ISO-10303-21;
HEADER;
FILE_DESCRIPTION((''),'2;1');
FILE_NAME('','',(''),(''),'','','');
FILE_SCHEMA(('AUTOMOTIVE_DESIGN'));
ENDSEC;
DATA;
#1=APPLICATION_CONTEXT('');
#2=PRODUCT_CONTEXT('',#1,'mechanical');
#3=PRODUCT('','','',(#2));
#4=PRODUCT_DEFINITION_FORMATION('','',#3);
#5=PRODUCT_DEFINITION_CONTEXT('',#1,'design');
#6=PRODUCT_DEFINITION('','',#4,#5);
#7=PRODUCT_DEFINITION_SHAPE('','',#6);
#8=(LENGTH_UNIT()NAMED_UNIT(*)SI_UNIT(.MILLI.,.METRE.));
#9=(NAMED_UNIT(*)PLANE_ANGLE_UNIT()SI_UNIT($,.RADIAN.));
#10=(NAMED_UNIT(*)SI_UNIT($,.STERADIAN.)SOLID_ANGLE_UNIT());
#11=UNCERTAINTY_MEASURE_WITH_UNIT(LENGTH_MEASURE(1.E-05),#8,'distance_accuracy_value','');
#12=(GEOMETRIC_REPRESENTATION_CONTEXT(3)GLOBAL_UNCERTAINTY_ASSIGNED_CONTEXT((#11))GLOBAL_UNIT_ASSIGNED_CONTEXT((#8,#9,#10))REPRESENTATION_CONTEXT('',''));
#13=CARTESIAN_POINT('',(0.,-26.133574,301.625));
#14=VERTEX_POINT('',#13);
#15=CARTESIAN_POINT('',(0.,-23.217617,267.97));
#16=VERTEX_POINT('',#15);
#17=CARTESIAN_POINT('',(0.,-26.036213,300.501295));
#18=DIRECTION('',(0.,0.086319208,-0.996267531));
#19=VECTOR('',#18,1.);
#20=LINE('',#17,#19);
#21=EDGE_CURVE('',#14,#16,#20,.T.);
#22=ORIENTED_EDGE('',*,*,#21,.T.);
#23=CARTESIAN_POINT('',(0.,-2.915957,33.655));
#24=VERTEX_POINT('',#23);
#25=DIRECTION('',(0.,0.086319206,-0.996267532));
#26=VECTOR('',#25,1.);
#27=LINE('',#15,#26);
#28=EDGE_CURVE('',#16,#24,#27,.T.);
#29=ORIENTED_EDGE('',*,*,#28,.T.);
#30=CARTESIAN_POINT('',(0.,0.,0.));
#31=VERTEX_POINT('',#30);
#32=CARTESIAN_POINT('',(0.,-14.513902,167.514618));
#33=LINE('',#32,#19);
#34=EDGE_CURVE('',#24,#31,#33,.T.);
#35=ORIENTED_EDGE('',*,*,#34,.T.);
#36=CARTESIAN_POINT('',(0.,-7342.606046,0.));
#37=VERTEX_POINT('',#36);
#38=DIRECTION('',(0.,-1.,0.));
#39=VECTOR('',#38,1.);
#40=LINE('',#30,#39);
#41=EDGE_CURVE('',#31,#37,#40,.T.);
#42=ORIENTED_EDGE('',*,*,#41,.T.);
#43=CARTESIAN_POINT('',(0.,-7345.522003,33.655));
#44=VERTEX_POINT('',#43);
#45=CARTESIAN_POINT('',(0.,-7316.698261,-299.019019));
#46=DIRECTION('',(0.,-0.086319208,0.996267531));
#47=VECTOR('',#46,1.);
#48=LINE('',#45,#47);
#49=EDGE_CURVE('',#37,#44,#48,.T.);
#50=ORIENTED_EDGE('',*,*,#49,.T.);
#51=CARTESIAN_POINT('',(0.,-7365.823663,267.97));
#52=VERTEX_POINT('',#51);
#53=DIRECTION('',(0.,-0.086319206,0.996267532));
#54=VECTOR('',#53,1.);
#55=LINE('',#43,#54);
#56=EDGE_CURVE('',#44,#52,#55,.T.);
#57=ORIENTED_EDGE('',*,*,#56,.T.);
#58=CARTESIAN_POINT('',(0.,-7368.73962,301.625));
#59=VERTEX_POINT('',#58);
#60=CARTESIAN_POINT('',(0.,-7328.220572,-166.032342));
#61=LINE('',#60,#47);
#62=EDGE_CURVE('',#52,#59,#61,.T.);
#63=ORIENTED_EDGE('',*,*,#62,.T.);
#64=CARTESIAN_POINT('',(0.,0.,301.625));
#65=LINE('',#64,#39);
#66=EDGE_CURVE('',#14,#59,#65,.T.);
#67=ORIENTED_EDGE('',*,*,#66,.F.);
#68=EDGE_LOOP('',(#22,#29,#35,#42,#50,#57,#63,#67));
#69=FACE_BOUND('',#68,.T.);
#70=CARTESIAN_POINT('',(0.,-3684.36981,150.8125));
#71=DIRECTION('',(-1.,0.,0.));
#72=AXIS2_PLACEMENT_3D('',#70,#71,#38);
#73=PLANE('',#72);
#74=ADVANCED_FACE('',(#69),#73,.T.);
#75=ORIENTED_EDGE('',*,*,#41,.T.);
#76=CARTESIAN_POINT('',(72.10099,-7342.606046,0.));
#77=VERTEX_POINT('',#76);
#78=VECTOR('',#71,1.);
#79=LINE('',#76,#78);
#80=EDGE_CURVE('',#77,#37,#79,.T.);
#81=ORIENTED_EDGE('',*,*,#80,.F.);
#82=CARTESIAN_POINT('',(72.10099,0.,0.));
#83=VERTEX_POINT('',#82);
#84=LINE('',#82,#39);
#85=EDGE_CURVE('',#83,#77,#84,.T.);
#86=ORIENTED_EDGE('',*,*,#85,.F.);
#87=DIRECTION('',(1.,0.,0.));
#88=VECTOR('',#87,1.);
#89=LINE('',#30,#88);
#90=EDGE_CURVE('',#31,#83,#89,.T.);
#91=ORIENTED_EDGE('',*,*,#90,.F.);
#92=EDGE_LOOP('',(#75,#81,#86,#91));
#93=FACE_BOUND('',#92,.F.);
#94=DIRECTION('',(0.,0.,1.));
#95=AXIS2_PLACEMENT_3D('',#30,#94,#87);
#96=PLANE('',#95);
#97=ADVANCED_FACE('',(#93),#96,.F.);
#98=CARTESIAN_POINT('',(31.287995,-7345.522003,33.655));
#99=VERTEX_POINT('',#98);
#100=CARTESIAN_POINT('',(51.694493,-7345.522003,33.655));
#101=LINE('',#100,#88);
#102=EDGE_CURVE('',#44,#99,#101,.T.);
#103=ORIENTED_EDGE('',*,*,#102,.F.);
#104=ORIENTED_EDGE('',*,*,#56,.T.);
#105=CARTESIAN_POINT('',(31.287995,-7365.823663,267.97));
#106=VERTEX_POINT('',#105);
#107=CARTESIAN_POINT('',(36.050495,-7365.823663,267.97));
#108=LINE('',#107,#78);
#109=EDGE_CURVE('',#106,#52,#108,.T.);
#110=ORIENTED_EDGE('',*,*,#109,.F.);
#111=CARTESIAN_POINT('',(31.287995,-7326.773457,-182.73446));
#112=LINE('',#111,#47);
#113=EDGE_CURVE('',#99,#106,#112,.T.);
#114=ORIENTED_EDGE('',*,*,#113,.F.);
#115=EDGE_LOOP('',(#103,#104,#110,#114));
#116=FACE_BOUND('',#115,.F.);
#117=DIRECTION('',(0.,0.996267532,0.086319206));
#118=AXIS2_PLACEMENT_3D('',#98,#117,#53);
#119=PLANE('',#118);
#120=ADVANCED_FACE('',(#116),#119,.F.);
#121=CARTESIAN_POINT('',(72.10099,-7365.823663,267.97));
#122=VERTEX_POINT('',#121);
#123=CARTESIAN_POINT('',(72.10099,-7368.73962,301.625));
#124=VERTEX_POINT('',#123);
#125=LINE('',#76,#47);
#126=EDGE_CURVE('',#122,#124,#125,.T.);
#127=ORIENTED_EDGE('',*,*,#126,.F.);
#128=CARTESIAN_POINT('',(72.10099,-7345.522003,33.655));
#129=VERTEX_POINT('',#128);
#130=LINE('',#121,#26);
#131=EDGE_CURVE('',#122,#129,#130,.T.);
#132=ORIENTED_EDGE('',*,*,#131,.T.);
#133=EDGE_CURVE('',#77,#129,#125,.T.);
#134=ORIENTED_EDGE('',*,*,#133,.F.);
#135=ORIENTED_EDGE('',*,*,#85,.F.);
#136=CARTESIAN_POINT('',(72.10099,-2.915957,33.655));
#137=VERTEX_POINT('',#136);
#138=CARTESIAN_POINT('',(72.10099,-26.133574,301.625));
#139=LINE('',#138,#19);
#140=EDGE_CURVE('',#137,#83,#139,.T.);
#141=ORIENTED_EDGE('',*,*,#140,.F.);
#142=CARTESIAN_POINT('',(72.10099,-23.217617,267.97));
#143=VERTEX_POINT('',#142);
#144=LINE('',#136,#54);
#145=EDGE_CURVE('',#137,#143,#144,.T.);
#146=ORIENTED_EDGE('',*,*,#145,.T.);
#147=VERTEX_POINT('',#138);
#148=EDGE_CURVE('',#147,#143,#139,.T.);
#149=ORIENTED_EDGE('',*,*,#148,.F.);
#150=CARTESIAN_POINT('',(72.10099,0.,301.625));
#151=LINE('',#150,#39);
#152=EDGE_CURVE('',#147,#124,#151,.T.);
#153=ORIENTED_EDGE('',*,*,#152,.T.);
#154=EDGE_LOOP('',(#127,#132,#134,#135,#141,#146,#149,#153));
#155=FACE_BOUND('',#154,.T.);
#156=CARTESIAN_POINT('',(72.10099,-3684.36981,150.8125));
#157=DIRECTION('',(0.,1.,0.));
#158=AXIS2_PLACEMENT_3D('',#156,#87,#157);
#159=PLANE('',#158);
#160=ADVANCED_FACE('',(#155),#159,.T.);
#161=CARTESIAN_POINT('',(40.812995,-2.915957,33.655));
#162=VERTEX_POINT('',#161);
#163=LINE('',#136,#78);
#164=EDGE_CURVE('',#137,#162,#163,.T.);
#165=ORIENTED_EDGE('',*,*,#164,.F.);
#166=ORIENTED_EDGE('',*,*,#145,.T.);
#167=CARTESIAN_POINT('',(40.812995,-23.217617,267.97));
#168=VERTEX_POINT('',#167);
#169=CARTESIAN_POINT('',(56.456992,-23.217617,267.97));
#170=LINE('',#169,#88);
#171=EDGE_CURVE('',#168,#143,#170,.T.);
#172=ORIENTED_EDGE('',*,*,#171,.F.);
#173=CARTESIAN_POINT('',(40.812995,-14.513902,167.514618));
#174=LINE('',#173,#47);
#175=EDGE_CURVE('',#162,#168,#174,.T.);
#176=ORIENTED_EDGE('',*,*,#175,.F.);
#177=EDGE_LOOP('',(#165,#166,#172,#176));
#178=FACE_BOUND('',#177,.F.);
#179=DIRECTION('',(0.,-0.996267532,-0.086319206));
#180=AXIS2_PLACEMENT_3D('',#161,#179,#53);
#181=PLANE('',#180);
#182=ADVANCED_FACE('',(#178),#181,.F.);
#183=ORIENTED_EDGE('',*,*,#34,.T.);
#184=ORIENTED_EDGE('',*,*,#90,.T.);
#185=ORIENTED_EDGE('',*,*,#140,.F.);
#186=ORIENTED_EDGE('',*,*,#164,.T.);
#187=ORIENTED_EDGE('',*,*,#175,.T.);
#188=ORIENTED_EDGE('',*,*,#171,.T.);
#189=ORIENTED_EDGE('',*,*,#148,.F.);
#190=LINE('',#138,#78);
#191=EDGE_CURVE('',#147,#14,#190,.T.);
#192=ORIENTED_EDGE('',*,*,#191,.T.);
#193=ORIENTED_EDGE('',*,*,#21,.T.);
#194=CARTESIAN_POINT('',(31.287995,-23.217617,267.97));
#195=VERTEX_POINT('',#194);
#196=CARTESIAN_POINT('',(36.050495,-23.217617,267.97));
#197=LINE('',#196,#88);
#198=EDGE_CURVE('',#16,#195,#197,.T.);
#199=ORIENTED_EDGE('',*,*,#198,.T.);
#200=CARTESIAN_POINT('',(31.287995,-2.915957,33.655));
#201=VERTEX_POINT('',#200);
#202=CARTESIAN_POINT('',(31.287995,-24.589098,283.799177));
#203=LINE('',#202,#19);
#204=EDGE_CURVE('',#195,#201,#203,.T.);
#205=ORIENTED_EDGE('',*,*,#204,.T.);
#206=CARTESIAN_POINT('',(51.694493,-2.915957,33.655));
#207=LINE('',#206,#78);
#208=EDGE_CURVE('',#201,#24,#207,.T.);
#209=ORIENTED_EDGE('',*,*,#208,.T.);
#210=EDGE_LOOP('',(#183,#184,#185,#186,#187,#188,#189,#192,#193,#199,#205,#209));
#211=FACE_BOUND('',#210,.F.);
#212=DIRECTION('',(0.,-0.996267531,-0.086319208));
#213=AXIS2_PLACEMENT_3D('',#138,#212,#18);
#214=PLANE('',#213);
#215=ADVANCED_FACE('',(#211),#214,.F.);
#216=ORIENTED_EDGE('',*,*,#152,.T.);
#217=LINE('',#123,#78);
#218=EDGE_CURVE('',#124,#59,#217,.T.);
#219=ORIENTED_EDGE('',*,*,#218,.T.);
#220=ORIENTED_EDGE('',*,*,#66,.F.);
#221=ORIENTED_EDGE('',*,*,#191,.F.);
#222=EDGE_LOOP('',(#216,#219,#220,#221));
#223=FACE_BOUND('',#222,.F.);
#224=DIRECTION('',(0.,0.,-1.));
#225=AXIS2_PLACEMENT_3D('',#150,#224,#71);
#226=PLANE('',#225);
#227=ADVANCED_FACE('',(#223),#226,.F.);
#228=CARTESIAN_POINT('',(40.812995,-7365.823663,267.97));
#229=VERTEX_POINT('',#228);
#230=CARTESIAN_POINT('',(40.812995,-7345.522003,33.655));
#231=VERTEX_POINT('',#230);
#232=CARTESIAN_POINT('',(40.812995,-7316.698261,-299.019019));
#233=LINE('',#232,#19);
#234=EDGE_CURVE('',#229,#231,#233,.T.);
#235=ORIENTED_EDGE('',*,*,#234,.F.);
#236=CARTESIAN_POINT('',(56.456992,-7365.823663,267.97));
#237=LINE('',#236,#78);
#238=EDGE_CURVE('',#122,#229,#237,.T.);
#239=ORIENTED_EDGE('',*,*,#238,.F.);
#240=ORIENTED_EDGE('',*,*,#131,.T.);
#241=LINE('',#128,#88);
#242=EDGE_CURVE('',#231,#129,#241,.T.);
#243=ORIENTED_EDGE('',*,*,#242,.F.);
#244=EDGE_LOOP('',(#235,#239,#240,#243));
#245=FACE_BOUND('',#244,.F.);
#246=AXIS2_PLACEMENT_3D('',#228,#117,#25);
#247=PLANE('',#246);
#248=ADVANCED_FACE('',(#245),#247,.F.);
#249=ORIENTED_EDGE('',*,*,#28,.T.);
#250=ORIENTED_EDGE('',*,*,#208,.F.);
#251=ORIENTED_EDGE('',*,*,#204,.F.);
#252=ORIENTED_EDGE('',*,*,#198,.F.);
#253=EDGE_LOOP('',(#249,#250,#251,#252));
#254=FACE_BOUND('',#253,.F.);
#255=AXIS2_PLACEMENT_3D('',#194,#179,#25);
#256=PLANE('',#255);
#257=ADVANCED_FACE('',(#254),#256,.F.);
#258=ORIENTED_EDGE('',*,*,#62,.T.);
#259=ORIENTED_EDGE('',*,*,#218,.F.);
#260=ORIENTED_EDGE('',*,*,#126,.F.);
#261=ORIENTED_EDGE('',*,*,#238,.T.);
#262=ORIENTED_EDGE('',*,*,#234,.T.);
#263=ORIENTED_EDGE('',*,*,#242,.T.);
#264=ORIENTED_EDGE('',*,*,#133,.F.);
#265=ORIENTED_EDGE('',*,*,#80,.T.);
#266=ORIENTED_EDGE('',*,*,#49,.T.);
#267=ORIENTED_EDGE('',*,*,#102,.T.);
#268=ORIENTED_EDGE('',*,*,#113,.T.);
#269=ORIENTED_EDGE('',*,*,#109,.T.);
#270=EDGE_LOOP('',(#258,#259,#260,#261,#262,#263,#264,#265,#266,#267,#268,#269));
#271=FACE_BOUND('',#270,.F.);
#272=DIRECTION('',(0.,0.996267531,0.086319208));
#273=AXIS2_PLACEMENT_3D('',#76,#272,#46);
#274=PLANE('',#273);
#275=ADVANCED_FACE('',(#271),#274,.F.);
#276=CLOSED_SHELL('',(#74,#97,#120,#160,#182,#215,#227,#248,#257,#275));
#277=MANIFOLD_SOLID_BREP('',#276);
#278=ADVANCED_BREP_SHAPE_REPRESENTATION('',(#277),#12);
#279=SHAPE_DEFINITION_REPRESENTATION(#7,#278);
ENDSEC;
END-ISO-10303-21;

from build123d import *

# Parameters (mm, degrees)
F1_DEPTH = 7620
F3_DEPTH = 72.10199
F5_DEPTH = 31.287995
F7_DEPTH = 31.287995


with BuildPart() as f1:
    # F0 (on Front) → F1 (new body)
    with BuildSketch(Plane.XZ):
        Polygon((0, 33.655), (0, 0), (72.10099, 0), (72.10099, 33.655), (40.812995, 33.655), (40.812995, 267.97), (72.10099, 267.97), (72.10099, 301.625), (0, 301.625), (0, 267.97), (31.287995, 267.97), (31.287995, 33.655), align=None)
    extrude(amount=F1_DEPTH)

    # F2 (on face) → F3 (cut, through all)
    with BuildSketch(Plane.YZ.offset(72.10099)):
        Polygon((-7620, 0), (-7342.606046, 0), (-7368.73962, 301.625), (-7620, 301.625), align=None)
        Polygon((-26.133574, 301.625), (0, 0), (0, 301.625), align=None)
    extrude(amount=-F3_DEPTH, mode=Mode.SUBTRACT)

    # F4 (on face) → F5 (join, through all)
    with BuildSketch(Plane.YZ.offset(40.812995)):
        Polygon((-23.217617, 267.97), (-7365.823663, 267.97), (-7345.522003, 33.655), (-2.915957, 33.655), align=None)
    extrude(amount=F5_DEPTH)

    # F6 (on face) → F7 (join, through all)
    with BuildSketch(Plane(origin=(31.287995, 0, 0), x_dir=(0, -1, 0), z_dir=(-1, 0, 0))):
        Polygon((23.217617, 267.97), (2.915957, 33.655), (7345.522003, 33.655), (7365.823663, 267.97), align=None)
    extrude(amount=F7_DEPTH)


solid = f1.part
